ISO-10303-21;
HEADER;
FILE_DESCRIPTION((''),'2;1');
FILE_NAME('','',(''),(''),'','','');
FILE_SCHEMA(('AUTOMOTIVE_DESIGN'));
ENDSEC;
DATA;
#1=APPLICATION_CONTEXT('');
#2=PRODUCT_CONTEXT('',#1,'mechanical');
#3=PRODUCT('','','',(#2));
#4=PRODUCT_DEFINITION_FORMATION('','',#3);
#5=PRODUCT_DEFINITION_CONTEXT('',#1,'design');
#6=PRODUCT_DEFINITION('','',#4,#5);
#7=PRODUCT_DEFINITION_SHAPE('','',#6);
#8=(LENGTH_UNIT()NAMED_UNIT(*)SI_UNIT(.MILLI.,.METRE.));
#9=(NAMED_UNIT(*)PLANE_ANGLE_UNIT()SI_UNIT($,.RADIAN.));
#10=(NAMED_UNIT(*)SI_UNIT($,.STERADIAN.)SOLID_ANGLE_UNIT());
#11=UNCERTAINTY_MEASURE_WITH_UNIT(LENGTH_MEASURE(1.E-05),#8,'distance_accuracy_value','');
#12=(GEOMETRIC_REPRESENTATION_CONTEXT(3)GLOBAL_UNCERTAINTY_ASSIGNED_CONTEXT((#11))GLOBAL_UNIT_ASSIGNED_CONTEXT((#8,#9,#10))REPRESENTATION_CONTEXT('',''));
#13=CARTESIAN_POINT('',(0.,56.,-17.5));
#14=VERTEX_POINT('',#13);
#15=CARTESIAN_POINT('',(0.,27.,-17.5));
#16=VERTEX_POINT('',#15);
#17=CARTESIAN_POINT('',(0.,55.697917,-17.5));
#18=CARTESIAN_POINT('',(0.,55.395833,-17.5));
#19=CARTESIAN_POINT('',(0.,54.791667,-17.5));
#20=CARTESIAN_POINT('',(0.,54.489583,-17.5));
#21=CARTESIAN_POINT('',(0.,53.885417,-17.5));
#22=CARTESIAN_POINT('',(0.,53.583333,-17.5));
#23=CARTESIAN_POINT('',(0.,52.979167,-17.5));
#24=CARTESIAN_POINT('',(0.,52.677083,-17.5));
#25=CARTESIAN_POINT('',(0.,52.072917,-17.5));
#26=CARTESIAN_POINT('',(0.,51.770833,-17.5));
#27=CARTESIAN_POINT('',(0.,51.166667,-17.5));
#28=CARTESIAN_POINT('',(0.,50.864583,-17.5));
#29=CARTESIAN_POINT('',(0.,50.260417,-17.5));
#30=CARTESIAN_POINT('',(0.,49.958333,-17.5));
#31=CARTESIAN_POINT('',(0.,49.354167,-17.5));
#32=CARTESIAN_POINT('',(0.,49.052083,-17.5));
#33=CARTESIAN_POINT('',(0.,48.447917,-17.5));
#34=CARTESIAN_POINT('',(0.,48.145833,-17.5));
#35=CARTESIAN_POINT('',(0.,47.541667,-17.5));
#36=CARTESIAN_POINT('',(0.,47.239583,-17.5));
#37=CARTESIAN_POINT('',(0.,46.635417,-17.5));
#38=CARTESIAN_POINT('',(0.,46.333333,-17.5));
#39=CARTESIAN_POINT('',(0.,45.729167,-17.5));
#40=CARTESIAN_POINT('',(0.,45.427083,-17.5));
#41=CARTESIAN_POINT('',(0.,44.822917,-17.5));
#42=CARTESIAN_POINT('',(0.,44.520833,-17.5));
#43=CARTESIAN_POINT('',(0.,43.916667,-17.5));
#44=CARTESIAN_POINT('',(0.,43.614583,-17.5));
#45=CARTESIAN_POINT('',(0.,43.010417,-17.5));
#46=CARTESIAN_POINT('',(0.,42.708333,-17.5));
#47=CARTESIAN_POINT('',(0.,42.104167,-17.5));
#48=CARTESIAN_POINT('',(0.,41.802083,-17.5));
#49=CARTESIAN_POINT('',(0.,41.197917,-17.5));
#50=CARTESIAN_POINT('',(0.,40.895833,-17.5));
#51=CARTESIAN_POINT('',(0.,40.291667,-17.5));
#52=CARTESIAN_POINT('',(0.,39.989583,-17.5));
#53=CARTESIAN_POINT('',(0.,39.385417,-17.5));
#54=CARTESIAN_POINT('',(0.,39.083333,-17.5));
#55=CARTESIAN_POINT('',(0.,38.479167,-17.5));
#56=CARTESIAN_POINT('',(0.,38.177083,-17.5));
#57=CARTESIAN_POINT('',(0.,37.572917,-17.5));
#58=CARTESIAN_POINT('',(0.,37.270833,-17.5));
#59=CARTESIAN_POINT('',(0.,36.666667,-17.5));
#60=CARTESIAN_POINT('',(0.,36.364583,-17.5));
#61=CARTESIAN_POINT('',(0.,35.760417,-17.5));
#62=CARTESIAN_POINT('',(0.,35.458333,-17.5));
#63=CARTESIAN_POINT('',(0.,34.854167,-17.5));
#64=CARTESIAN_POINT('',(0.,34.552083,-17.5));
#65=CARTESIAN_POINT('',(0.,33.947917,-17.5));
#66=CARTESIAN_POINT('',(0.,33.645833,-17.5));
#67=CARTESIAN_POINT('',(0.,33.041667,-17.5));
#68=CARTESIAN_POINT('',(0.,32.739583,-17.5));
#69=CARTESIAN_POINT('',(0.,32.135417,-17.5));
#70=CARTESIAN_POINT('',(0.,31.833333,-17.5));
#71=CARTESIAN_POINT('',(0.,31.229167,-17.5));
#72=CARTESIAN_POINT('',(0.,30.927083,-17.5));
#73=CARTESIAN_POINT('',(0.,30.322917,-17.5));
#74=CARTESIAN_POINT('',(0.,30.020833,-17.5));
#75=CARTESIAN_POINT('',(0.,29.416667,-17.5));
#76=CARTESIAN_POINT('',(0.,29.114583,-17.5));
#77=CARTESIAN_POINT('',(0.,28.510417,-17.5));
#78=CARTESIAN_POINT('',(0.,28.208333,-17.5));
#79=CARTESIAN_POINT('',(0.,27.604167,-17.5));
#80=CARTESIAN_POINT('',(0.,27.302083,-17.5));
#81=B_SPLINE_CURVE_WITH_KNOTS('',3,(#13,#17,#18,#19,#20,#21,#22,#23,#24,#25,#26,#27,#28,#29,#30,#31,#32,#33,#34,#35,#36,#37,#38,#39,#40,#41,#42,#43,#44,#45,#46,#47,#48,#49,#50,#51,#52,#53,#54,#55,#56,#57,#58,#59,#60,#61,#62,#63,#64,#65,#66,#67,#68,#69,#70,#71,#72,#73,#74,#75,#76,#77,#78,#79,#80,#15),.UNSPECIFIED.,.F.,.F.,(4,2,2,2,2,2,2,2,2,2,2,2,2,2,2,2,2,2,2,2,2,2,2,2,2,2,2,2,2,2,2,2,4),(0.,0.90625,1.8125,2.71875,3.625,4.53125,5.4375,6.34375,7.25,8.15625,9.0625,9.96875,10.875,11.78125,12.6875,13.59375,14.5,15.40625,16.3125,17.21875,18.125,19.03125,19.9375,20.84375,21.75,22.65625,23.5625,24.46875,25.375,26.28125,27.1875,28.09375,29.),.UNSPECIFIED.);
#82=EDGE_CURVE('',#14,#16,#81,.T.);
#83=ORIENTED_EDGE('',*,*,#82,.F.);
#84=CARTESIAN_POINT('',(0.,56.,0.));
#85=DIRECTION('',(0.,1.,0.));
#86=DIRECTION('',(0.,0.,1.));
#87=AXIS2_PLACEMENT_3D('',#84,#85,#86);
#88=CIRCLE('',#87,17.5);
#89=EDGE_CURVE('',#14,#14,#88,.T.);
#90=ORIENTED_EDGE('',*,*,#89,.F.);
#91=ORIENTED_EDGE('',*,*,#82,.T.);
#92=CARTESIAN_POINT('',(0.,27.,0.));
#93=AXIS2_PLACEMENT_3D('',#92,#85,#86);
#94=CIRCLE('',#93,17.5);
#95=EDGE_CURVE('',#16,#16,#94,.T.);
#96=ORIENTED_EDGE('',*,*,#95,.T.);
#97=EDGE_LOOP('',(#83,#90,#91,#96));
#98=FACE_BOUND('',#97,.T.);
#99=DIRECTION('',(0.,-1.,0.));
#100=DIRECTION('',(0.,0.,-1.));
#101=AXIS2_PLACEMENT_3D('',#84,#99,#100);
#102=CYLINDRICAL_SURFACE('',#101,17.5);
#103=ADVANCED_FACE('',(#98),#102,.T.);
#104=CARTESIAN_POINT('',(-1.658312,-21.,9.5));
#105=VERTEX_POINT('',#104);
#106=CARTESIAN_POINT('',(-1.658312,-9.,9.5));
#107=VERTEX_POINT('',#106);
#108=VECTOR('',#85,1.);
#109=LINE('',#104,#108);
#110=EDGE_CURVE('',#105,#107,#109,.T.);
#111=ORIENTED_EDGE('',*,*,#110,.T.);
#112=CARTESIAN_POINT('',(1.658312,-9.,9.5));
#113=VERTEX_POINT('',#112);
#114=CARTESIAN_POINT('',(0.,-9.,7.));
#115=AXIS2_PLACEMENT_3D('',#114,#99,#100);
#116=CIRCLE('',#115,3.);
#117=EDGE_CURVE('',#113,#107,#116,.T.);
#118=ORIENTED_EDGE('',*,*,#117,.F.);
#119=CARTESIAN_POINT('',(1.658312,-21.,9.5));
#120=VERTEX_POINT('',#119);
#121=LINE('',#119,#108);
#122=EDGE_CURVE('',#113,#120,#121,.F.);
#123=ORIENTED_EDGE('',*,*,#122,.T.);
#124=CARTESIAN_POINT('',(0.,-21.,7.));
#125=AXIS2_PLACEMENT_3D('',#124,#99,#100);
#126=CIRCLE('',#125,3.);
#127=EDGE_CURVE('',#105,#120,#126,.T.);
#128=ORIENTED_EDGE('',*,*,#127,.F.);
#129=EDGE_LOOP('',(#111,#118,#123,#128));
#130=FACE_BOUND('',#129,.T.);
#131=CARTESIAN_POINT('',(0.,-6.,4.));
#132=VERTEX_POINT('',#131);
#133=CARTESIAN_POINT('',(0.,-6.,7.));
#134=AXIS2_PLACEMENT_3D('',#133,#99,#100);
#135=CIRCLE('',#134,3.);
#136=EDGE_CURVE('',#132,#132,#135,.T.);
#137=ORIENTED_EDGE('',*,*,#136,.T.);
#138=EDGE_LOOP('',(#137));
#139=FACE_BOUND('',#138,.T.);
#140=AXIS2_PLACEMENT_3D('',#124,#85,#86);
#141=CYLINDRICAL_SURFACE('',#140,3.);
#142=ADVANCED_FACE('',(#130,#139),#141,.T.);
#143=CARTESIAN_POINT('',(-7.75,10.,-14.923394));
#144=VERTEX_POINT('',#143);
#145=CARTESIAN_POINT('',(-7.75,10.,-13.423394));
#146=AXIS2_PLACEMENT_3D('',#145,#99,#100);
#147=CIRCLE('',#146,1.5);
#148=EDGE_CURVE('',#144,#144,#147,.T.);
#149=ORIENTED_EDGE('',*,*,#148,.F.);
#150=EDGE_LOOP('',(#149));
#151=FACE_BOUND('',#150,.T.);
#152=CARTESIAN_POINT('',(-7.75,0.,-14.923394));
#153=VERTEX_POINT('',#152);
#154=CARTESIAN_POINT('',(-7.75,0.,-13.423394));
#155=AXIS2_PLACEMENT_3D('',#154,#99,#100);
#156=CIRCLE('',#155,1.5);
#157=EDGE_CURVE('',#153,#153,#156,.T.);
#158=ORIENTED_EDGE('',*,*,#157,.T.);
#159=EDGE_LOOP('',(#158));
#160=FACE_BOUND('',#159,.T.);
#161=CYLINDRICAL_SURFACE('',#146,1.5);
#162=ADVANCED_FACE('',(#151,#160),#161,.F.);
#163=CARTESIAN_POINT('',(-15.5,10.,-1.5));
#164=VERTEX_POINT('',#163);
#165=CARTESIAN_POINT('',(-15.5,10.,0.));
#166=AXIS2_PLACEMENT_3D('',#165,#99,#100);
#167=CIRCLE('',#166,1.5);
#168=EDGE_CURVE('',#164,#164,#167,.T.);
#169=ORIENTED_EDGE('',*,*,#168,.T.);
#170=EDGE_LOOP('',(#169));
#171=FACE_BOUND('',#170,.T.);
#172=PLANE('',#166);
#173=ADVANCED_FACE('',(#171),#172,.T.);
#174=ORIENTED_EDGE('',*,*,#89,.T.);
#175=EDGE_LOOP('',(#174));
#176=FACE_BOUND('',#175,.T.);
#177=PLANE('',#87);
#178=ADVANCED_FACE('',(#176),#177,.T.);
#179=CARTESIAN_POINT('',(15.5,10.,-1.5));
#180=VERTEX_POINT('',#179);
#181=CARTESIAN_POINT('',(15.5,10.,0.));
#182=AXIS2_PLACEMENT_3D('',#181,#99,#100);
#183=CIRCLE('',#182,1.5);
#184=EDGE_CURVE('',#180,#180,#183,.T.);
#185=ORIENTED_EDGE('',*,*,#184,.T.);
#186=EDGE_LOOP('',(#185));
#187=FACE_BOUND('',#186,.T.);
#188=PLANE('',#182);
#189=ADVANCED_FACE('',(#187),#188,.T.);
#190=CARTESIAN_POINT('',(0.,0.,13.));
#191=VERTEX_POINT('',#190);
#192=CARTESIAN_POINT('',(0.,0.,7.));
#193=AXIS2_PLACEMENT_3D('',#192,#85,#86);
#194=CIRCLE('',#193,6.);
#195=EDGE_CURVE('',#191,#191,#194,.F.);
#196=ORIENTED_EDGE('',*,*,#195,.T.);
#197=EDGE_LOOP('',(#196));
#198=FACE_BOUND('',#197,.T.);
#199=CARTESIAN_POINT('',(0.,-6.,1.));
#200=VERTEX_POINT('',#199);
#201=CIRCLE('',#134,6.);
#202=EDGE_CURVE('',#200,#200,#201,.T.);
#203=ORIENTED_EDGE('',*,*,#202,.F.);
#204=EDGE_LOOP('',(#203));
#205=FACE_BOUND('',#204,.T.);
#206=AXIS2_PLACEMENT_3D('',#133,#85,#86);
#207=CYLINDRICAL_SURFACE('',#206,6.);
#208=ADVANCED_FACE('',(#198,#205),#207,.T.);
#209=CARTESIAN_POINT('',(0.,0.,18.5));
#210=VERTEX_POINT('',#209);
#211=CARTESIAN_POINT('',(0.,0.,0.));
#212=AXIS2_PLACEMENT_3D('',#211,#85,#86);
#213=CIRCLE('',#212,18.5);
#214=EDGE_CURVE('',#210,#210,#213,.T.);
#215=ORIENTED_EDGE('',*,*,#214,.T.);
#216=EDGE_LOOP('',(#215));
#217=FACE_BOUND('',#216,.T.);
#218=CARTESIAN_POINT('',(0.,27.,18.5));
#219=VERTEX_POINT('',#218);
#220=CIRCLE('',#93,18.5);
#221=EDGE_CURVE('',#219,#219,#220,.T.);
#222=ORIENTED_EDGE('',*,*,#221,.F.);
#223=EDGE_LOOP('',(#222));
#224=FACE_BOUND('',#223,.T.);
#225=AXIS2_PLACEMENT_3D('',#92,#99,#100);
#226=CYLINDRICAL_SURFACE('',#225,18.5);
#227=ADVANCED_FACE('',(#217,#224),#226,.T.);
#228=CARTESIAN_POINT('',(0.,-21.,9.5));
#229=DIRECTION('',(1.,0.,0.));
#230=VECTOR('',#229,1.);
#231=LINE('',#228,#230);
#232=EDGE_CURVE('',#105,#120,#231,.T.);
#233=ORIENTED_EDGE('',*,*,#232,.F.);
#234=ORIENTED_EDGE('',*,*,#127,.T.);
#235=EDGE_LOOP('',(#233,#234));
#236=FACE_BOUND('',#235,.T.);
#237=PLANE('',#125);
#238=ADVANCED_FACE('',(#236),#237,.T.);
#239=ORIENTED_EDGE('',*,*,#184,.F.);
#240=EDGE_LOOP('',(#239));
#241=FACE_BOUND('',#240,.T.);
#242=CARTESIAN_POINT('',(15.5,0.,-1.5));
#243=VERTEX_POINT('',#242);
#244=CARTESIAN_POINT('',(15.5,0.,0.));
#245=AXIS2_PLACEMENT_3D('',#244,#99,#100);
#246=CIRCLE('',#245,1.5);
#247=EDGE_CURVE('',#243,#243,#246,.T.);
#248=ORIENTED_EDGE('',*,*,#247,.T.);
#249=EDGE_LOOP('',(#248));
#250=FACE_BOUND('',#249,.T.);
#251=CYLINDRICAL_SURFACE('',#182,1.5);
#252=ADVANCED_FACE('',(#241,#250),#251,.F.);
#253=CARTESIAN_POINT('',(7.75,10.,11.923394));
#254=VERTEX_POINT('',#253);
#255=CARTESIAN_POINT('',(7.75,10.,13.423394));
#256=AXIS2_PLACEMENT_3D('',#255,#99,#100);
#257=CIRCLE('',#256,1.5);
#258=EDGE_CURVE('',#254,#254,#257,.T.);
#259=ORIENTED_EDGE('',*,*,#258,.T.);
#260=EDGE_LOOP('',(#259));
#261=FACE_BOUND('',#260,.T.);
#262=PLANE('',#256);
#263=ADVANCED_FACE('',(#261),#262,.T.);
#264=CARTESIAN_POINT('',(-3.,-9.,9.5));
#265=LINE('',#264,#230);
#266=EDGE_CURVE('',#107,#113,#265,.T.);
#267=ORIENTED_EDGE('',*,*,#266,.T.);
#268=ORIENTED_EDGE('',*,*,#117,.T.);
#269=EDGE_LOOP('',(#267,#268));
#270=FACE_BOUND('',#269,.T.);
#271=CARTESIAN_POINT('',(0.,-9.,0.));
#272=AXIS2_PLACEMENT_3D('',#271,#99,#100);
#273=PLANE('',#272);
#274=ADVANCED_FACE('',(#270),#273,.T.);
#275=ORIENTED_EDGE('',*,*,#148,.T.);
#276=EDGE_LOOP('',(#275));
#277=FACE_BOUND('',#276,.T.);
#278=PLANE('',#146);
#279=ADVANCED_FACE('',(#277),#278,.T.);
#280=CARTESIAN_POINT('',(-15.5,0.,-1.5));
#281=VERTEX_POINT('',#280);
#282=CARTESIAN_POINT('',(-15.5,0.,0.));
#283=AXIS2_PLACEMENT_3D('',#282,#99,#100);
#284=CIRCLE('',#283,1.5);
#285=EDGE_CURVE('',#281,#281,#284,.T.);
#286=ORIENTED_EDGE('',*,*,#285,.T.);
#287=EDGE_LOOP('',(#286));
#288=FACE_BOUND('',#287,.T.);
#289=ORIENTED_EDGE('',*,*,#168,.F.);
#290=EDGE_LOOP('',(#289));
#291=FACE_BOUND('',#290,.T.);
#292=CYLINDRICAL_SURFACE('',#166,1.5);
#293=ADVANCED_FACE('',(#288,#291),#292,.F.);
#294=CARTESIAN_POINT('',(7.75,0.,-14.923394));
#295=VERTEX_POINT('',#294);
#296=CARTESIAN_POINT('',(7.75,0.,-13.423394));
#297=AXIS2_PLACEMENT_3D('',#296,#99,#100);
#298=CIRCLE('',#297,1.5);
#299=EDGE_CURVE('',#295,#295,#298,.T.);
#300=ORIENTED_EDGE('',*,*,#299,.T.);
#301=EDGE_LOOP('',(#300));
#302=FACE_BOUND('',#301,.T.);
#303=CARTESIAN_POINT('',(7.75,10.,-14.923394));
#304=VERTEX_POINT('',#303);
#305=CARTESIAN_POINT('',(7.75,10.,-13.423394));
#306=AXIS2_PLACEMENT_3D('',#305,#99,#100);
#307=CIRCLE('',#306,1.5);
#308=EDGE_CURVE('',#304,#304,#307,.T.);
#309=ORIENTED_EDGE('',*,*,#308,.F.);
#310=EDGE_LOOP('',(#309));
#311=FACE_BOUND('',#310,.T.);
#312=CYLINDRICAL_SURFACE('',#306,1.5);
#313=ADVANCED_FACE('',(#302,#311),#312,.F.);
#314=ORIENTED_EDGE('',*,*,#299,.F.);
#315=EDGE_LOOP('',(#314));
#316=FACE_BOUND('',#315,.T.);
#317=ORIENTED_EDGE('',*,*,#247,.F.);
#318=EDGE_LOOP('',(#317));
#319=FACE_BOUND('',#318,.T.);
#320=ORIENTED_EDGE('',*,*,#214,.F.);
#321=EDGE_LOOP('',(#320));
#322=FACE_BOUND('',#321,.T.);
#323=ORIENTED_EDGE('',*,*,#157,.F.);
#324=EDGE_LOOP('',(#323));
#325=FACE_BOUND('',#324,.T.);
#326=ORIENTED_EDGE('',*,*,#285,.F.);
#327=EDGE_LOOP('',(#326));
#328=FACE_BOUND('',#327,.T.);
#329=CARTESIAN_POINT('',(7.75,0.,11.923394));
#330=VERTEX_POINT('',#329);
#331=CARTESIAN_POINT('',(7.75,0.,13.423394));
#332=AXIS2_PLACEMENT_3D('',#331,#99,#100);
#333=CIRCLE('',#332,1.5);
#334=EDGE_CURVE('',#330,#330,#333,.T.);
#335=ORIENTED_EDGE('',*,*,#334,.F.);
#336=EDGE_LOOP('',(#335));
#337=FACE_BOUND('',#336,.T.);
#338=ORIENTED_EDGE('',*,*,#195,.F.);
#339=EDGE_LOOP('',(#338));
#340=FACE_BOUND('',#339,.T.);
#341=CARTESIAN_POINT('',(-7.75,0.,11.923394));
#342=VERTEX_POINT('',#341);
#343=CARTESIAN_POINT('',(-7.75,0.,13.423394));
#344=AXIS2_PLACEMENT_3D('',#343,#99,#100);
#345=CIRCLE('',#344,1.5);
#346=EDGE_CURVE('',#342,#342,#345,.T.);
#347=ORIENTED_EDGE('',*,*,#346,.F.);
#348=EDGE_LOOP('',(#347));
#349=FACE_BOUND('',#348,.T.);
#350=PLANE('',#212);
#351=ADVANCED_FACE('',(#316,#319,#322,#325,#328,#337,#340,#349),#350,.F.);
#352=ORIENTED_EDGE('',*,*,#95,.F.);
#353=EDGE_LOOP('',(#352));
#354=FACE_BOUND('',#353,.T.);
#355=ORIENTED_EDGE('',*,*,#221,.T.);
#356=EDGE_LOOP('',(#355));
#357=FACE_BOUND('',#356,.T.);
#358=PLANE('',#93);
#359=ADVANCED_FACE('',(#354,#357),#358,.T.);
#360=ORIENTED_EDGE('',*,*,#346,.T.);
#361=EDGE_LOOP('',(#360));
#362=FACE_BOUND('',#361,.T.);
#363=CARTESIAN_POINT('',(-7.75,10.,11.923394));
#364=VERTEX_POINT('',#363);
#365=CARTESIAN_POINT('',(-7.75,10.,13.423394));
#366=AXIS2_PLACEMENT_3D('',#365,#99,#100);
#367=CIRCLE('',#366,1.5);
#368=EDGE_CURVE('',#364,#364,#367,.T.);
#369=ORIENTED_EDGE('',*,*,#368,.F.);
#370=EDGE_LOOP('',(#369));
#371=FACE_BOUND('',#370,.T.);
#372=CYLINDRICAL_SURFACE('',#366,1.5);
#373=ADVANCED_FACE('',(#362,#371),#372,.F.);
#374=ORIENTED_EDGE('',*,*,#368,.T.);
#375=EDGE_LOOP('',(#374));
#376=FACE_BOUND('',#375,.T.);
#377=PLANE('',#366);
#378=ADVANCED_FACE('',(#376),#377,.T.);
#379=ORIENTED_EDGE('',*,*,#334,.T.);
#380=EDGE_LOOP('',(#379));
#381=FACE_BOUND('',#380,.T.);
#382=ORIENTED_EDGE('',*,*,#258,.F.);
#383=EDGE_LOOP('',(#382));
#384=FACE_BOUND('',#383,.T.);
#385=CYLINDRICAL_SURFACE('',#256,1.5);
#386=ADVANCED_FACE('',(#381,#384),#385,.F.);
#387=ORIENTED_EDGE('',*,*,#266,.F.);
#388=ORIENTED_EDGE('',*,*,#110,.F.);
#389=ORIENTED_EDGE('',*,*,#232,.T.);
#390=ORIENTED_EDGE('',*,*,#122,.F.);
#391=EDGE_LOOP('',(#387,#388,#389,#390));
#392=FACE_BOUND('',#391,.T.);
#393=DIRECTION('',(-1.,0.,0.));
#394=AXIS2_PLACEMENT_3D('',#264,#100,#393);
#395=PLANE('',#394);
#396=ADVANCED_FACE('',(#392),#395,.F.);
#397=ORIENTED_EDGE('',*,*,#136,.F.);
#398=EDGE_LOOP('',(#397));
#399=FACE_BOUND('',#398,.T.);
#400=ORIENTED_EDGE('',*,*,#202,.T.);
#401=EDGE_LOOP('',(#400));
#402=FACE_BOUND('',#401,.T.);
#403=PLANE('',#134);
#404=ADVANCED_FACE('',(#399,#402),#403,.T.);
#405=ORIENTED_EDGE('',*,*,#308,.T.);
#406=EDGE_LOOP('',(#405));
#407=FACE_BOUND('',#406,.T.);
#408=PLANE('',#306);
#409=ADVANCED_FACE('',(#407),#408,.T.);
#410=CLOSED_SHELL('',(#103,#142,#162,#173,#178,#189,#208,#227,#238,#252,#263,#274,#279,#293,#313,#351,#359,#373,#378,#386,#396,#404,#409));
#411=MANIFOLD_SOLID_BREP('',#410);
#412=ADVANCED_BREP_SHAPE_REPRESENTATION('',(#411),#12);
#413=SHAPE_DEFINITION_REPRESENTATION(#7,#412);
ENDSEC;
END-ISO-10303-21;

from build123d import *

# Parameters (mm, degrees)
SKIZZE1_R                       = 18.5
AUFSATZ_LINEAR_AUSTRAGEN1_DEPTH = 27
SKIZZE2_R                       = 17.5
AUFSATZ_LINEAR_AUSTRAGEN2_DEPTH = 29
SKIZZE3_R                       = 1.5
SCHNITT_LINEAR_AUSTRAGEN1_DEPTH = 10
SKIZZE4_R                       = 6
AUFSATZ_LINEAR_AUSTRAGEN3_DEPTH = 6
SKIZZE5_R                       = 3
AUFSATZ_LINEAR_AUSTRAGEN4_DEPTH = 15
SKIZZE6_W                       = 6
SKIZZE6_H                       = 1
SCHNITT_LINEAR_AUSTRAGEN2_DEPTH = 12


with BuildPart() as part:
    # Skizze1 → Aufsatz-Linear austragen1 (new body)
    with BuildSketch(Plane(origin=(0, 0, 0), x_dir=(1, 0, 0), z_dir=(0, 1, 0))):
        with Locations(Location((0, 0, 0), (0, 0, 270))):
            Circle(SKIZZE1_R)
    extrude(amount=AUFSATZ_LINEAR_AUSTRAGEN1_DEPTH)

    # Skizze2 → Aufsatz-Linear austragen2 (add)
    with BuildSketch(Plane(origin=(0, 27, 0), x_dir=(1, 0, 0), z_dir=(0, 1, 0))):
        with Locations(Location((0, 0, 0), (0, 0, 90))):
            Circle(SKIZZE2_R)
    extrude(amount=AUFSATZ_LINEAR_AUSTRAGEN2_DEPTH)

    # Skizze3 → Schnitt-Linear austragen1 (cut)
    with BuildSketch(Plane.XZ):
        with Locations(Location((-15.5, 0, 0), (0, 0, 270))):
            Circle(SKIZZE3_R)
        with Locations(Location((15.5, 0, 0), (0, 0, 270))):
            Circle(SKIZZE3_R)
        with Locations(Location((7.75, 13.423393759, 0), (0, 0, 270))):
            Circle(SKIZZE3_R)
        with Locations(Location((-7.75, 13.423393759, 0), (0, 0, 270))):
            Circle(SKIZZE3_R)
        with Locations(Location((-7.75, -13.423393759, 0), (0, 0, 270))):
            Circle(SKIZZE3_R)
        with Locations(Location((7.75, -13.423393759, 0), (0, 0, 270))):
            Circle(SKIZZE3_R)
    extrude(amount=-SCHNITT_LINEAR_AUSTRAGEN1_DEPTH, mode=Mode.SUBTRACT)

    # Skizze4 → Aufsatz-Linear austragen3 (add)
    with BuildSketch(Plane.XZ):
        with Locations(Location((0, 7, 0), (0, 0, 90))):
            Circle(SKIZZE4_R)
    extrude(amount=AUFSATZ_LINEAR_AUSTRAGEN3_DEPTH)

    # Skizze5 → Aufsatz-Linear austragen4 (add)
    with BuildSketch(Plane.XZ.offset(6)):
        with Locations(Location((0, 7, 0), (0, 0, 270))):
            Circle(SKIZZE5_R)
    extrude(amount=AUFSATZ_LINEAR_AUSTRAGEN4_DEPTH)

    # Skizze6 → Schnitt-Linear austragen2 (cut)
    with BuildSketch(Plane.XZ.offset(21)):
        with Locations((0, 10)):
            Rectangle(SKIZZE6_W, SKIZZE6_H)
    extrude(amount=-SCHNITT_LINEAR_AUSTRAGEN2_DEPTH, mode=Mode.SUBTRACT)


solid = part.part
